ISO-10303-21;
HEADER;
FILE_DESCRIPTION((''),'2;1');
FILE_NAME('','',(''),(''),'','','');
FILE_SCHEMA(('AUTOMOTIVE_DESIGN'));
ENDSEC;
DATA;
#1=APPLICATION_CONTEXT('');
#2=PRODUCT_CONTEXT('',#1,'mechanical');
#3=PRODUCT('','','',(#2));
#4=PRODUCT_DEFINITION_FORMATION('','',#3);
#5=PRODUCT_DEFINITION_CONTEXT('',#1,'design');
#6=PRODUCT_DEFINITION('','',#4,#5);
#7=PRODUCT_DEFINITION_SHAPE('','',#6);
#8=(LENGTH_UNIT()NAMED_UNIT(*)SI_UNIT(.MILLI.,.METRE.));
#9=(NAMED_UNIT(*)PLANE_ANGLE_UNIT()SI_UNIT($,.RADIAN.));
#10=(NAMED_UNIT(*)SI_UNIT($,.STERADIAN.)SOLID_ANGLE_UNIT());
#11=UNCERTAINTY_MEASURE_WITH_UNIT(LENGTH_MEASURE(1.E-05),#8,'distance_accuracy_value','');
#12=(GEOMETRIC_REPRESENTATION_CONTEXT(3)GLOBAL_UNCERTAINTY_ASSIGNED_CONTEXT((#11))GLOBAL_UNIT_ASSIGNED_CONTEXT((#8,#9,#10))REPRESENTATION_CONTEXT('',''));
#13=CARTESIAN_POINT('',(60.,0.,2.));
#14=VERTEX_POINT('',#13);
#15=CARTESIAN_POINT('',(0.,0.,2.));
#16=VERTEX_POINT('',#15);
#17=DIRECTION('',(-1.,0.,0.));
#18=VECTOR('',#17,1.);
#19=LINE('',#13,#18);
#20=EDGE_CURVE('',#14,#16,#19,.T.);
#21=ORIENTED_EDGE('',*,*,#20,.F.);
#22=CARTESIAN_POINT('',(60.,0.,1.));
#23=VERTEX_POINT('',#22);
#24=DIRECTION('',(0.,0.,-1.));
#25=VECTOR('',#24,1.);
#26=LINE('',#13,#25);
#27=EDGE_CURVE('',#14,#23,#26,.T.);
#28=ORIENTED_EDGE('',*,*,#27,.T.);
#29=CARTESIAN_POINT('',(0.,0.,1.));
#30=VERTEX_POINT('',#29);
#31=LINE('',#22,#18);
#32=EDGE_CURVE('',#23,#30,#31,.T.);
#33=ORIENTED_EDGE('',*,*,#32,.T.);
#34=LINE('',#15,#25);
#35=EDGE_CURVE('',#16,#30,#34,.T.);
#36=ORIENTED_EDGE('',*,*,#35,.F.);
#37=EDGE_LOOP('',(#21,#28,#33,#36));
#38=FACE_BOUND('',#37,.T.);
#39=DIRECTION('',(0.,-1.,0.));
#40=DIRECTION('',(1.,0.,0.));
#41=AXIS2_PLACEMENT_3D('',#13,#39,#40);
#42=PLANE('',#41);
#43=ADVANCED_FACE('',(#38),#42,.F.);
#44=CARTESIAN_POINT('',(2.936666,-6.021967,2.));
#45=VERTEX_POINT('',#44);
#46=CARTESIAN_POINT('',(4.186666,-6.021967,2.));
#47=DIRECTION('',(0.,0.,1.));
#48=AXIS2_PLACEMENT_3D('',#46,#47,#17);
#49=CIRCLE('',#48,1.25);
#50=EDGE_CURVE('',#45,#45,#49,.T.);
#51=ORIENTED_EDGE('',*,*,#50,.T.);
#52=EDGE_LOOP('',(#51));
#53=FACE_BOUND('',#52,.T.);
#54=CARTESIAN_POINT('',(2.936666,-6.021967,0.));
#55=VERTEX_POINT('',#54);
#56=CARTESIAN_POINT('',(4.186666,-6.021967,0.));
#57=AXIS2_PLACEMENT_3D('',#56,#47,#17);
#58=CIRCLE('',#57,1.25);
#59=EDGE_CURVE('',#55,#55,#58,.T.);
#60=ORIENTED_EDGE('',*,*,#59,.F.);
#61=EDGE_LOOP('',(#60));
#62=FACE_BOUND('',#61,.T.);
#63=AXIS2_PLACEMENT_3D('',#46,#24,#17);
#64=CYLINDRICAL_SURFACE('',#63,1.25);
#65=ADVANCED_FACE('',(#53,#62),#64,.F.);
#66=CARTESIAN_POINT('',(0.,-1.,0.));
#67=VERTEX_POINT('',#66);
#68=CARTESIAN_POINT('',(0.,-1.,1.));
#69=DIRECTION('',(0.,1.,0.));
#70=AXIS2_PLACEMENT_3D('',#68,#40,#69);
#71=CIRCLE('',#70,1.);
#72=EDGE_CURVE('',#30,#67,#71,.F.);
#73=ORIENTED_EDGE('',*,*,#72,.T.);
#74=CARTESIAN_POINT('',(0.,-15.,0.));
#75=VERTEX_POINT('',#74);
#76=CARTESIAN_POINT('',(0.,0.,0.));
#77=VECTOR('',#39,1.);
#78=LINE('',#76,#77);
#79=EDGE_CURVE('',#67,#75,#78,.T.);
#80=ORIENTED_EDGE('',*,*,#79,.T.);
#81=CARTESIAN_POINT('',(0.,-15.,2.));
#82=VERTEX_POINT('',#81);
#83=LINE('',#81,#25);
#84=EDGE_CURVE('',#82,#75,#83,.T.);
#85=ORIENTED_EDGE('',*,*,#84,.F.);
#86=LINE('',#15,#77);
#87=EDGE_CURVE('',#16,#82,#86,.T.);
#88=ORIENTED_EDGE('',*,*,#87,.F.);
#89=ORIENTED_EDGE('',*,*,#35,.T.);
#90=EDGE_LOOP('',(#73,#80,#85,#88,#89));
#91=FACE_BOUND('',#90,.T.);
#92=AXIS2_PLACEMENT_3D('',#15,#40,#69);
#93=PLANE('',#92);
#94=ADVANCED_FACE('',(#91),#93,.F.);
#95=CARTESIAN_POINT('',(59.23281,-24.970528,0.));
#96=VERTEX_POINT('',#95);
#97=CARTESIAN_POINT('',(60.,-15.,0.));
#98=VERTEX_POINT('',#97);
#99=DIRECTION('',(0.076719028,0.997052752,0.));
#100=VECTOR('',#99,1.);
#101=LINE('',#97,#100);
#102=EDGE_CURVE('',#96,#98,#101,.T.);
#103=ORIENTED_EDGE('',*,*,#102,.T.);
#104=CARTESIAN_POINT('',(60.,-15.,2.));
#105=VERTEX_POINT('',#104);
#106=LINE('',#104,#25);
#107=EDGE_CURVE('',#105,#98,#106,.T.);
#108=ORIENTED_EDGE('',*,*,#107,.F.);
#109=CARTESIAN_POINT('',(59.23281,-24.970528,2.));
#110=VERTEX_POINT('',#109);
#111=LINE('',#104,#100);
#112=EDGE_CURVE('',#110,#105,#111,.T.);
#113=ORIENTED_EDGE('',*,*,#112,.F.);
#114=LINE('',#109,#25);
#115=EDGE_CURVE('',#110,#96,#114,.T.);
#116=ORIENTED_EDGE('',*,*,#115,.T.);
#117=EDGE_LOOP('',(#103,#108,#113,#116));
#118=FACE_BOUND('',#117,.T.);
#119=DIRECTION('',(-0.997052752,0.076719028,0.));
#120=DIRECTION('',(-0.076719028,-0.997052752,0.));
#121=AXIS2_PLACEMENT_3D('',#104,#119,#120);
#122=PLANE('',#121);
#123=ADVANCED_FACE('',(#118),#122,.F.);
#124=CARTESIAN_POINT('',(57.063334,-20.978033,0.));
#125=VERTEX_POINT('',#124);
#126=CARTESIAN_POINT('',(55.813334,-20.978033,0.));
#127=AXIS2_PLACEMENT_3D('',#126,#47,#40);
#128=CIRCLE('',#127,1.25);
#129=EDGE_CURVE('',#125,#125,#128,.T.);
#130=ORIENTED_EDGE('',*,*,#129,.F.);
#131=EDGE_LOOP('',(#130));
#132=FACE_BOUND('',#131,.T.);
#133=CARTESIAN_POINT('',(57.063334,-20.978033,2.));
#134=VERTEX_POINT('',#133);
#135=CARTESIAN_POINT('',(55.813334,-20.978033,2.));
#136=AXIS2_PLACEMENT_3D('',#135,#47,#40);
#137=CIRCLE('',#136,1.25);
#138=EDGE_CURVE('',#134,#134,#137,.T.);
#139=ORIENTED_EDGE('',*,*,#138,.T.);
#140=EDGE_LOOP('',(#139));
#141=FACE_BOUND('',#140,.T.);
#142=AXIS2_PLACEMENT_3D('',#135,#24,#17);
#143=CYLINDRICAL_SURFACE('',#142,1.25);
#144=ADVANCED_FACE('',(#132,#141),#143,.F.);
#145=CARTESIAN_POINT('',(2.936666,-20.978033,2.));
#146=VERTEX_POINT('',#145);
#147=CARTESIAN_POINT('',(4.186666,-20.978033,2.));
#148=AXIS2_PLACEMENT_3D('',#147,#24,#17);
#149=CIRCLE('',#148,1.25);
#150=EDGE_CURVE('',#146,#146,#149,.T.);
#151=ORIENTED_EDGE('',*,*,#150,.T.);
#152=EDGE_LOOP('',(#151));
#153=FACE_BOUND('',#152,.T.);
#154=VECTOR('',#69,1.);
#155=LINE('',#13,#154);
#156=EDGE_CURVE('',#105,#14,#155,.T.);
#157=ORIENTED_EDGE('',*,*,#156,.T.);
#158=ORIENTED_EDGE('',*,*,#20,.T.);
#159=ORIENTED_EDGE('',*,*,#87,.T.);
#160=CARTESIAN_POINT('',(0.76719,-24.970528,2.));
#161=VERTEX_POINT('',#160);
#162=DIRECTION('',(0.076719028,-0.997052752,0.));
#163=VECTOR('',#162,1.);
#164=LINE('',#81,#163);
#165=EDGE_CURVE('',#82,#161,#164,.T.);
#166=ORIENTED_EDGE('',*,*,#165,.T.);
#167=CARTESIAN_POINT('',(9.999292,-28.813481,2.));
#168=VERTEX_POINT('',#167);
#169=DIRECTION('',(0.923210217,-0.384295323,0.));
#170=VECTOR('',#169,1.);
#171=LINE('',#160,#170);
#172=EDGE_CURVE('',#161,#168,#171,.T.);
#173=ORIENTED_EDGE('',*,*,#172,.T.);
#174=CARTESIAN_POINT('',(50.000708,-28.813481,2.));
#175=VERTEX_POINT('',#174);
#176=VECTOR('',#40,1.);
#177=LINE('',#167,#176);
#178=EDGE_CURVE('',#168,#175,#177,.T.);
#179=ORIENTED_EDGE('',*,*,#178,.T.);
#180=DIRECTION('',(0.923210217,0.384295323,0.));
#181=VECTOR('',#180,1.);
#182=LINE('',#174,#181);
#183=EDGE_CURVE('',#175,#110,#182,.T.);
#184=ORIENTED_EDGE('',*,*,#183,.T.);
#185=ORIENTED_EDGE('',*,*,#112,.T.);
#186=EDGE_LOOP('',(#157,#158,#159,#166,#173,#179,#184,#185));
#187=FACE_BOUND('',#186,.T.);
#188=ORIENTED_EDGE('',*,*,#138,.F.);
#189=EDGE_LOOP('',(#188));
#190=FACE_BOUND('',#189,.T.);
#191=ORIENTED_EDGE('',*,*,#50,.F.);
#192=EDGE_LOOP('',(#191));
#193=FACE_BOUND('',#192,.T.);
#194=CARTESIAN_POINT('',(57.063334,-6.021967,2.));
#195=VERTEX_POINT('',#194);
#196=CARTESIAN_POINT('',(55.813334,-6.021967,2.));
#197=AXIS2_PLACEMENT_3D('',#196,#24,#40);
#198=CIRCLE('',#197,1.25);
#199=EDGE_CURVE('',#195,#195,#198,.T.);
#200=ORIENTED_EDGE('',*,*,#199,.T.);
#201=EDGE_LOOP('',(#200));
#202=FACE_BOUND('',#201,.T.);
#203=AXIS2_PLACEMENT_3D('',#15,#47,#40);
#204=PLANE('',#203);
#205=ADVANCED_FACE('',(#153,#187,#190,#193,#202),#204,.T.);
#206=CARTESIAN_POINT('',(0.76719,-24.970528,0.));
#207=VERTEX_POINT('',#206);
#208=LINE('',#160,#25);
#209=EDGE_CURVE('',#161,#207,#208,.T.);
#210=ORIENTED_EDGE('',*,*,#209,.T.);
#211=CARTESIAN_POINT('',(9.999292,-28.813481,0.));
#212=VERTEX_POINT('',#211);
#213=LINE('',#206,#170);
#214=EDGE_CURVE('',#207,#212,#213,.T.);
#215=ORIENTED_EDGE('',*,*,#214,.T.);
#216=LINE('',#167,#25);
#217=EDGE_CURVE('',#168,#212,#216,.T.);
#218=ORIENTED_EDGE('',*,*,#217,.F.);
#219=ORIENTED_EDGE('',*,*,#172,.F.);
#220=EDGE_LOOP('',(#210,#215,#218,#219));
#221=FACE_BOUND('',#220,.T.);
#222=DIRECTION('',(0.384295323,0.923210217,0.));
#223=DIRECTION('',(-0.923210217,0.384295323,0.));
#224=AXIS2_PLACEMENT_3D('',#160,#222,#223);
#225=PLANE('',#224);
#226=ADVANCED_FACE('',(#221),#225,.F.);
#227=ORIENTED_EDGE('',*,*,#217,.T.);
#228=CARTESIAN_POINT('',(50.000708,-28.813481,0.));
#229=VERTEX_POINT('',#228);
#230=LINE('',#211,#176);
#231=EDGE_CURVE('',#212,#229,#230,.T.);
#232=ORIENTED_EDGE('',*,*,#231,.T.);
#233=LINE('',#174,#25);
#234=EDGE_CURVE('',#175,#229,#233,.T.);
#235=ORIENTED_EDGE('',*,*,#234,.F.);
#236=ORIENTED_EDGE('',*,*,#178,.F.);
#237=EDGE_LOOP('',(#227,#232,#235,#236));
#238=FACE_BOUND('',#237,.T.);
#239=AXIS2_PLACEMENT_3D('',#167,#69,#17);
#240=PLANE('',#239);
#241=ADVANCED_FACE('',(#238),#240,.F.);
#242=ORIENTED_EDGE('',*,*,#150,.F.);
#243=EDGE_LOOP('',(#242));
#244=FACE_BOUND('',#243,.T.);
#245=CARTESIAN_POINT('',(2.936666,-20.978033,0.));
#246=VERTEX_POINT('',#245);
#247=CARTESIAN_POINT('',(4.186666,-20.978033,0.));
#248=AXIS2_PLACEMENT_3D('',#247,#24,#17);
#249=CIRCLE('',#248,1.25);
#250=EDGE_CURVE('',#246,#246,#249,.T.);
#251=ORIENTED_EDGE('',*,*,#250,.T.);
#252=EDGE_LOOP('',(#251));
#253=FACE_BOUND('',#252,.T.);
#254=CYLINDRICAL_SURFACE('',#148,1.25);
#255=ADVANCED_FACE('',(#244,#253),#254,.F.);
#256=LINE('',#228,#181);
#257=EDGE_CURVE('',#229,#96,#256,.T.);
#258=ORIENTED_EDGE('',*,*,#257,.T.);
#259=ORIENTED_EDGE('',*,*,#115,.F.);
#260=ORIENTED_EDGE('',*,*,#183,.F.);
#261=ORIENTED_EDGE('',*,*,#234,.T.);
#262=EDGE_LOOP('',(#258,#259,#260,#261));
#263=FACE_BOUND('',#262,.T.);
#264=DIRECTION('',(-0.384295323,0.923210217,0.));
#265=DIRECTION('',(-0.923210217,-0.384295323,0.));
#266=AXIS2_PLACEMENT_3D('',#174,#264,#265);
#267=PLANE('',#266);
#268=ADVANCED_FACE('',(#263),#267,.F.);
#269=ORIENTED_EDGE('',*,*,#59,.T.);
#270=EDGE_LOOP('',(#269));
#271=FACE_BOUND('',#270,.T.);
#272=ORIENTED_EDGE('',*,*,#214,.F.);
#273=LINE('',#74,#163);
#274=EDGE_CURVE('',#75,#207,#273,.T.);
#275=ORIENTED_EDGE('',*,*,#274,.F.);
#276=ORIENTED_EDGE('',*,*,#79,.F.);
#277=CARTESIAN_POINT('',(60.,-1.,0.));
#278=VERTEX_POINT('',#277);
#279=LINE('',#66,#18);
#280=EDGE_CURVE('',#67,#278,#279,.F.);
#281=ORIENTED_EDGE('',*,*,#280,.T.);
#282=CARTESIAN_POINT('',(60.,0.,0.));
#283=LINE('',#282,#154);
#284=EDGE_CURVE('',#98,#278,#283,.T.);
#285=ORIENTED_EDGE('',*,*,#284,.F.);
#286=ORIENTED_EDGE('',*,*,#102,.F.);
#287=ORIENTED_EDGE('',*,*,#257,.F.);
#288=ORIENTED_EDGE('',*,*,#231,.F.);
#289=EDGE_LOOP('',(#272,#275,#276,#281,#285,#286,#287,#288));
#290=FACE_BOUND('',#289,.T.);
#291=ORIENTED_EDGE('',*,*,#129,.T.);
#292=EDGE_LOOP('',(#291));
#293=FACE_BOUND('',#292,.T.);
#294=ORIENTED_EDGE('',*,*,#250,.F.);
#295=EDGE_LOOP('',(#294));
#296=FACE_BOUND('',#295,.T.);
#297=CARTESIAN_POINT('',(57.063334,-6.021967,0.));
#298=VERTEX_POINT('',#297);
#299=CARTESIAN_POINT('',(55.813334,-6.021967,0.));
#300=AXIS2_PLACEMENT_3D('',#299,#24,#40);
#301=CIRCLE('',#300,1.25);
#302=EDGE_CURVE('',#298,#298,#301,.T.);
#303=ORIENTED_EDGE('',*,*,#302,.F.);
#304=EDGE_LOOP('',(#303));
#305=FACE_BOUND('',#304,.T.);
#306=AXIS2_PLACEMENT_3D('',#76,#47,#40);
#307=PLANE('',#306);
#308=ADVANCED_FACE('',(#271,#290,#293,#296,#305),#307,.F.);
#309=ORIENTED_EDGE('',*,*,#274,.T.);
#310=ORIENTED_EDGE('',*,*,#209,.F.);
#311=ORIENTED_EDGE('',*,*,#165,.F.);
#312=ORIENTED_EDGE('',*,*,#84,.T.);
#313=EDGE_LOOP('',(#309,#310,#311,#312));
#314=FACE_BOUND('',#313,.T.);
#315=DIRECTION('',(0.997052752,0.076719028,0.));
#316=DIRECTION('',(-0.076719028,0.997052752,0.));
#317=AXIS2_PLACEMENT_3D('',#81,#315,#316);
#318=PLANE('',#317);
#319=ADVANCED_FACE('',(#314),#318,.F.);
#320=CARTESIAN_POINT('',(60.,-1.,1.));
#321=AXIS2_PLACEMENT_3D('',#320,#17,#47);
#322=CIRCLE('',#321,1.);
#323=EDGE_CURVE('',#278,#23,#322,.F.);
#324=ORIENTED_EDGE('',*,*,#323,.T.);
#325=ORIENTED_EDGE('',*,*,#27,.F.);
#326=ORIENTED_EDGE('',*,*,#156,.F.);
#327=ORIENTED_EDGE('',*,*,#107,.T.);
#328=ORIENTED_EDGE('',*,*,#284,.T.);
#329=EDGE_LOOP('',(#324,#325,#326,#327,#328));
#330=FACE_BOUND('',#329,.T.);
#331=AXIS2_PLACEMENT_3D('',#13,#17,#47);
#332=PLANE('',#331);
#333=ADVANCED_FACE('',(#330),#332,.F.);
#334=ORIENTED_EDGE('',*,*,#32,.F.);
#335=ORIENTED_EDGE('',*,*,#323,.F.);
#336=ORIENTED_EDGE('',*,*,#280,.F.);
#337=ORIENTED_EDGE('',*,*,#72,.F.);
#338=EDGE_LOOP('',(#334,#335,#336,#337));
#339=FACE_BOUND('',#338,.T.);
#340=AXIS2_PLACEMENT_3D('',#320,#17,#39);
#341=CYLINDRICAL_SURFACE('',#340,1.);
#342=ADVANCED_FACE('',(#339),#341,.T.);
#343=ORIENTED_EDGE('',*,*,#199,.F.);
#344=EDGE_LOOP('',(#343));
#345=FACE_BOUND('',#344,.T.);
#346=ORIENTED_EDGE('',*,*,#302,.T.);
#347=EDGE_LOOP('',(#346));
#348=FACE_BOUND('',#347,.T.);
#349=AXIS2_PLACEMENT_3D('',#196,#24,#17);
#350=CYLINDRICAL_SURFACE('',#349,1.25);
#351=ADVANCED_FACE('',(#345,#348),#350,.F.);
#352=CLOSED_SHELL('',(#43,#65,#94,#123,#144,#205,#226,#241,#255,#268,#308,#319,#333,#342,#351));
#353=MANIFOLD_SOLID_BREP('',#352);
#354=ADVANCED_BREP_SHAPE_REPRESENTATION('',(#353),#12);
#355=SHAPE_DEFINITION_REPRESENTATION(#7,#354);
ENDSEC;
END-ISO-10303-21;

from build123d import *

# Parameters (mm, degrees)
BOSS_EXTRUDE1_DEPTH     = 2
SKETCH2_R               = 1.25
CUT_EXTRUDE1_DEPTH      = 2
MIRROR3_COPY_1_SKETCH_R = 1.25
MIRROR3_COPY_1_DEPTH    = 2
FILLET1_R               = 1


with BuildPart() as part:
    # Sketch1 → Boss-Extrude1 (new body)
    with BuildSketch(Plane.XY):
        Polygon((0.767190281, -24.970527522), (9.999292452, -28.813480749), (50.000707548, -28.813480749), (59.232809719, -24.970527522), (60, -15), (60, 0), (0, 0), (0, -15), align=None)
    extrude(amount=BOSS_EXTRUDE1_DEPTH)

    # Sketch2 → Cut-Extrude1 (cut)
    with BuildSketch(Plane(origin=(0, 0, 0), x_dir=(-1, 0, 0), z_dir=(0, 0, -1))):
        with Locations((-4.186666378, -20.978033438)):
            Circle(SKETCH2_R)
    cut_extrude1 = extrude(amount=-CUT_EXTRUDE1_DEPTH, mode=Mode.SUBTRACT)

    # Mirror2: Cut-Extrude1 across plane
    add(cut_extrude1.mirror(Plane(origin=(30, 0, 0), x_dir=(0, 0, 1), z_dir=(1, 0, 0))), mode=Mode.SUBTRACT)

    # Mirror3: Cut-Extrude1 across plane
    add(cut_extrude1.mirror(Plane.ZX.offset(-13.5)), mode=Mode.SUBTRACT)

    # Mirror3 copy 1 sketch → Mirror3 copy 1 (cut)
    with BuildSketch(Plane(origin=(60, -27, 0), x_dir=(1, 0, 0), z_dir=(0, 0, -1))):
        with Locations((-4.186666378, -20.978033438)):
            Circle(MIRROR3_COPY_1_SKETCH_R)
    extrude(amount=-MIRROR3_COPY_1_DEPTH, mode=Mode.SUBTRACT)

    # Fillet1
    fillet1_edges = [part.edges().sort_by_distance(p)[0] for p in [
        (30, 0, 0),
    ]]
    fillet(fillet1_edges, radius=FILLET1_R)


solid = part.part
